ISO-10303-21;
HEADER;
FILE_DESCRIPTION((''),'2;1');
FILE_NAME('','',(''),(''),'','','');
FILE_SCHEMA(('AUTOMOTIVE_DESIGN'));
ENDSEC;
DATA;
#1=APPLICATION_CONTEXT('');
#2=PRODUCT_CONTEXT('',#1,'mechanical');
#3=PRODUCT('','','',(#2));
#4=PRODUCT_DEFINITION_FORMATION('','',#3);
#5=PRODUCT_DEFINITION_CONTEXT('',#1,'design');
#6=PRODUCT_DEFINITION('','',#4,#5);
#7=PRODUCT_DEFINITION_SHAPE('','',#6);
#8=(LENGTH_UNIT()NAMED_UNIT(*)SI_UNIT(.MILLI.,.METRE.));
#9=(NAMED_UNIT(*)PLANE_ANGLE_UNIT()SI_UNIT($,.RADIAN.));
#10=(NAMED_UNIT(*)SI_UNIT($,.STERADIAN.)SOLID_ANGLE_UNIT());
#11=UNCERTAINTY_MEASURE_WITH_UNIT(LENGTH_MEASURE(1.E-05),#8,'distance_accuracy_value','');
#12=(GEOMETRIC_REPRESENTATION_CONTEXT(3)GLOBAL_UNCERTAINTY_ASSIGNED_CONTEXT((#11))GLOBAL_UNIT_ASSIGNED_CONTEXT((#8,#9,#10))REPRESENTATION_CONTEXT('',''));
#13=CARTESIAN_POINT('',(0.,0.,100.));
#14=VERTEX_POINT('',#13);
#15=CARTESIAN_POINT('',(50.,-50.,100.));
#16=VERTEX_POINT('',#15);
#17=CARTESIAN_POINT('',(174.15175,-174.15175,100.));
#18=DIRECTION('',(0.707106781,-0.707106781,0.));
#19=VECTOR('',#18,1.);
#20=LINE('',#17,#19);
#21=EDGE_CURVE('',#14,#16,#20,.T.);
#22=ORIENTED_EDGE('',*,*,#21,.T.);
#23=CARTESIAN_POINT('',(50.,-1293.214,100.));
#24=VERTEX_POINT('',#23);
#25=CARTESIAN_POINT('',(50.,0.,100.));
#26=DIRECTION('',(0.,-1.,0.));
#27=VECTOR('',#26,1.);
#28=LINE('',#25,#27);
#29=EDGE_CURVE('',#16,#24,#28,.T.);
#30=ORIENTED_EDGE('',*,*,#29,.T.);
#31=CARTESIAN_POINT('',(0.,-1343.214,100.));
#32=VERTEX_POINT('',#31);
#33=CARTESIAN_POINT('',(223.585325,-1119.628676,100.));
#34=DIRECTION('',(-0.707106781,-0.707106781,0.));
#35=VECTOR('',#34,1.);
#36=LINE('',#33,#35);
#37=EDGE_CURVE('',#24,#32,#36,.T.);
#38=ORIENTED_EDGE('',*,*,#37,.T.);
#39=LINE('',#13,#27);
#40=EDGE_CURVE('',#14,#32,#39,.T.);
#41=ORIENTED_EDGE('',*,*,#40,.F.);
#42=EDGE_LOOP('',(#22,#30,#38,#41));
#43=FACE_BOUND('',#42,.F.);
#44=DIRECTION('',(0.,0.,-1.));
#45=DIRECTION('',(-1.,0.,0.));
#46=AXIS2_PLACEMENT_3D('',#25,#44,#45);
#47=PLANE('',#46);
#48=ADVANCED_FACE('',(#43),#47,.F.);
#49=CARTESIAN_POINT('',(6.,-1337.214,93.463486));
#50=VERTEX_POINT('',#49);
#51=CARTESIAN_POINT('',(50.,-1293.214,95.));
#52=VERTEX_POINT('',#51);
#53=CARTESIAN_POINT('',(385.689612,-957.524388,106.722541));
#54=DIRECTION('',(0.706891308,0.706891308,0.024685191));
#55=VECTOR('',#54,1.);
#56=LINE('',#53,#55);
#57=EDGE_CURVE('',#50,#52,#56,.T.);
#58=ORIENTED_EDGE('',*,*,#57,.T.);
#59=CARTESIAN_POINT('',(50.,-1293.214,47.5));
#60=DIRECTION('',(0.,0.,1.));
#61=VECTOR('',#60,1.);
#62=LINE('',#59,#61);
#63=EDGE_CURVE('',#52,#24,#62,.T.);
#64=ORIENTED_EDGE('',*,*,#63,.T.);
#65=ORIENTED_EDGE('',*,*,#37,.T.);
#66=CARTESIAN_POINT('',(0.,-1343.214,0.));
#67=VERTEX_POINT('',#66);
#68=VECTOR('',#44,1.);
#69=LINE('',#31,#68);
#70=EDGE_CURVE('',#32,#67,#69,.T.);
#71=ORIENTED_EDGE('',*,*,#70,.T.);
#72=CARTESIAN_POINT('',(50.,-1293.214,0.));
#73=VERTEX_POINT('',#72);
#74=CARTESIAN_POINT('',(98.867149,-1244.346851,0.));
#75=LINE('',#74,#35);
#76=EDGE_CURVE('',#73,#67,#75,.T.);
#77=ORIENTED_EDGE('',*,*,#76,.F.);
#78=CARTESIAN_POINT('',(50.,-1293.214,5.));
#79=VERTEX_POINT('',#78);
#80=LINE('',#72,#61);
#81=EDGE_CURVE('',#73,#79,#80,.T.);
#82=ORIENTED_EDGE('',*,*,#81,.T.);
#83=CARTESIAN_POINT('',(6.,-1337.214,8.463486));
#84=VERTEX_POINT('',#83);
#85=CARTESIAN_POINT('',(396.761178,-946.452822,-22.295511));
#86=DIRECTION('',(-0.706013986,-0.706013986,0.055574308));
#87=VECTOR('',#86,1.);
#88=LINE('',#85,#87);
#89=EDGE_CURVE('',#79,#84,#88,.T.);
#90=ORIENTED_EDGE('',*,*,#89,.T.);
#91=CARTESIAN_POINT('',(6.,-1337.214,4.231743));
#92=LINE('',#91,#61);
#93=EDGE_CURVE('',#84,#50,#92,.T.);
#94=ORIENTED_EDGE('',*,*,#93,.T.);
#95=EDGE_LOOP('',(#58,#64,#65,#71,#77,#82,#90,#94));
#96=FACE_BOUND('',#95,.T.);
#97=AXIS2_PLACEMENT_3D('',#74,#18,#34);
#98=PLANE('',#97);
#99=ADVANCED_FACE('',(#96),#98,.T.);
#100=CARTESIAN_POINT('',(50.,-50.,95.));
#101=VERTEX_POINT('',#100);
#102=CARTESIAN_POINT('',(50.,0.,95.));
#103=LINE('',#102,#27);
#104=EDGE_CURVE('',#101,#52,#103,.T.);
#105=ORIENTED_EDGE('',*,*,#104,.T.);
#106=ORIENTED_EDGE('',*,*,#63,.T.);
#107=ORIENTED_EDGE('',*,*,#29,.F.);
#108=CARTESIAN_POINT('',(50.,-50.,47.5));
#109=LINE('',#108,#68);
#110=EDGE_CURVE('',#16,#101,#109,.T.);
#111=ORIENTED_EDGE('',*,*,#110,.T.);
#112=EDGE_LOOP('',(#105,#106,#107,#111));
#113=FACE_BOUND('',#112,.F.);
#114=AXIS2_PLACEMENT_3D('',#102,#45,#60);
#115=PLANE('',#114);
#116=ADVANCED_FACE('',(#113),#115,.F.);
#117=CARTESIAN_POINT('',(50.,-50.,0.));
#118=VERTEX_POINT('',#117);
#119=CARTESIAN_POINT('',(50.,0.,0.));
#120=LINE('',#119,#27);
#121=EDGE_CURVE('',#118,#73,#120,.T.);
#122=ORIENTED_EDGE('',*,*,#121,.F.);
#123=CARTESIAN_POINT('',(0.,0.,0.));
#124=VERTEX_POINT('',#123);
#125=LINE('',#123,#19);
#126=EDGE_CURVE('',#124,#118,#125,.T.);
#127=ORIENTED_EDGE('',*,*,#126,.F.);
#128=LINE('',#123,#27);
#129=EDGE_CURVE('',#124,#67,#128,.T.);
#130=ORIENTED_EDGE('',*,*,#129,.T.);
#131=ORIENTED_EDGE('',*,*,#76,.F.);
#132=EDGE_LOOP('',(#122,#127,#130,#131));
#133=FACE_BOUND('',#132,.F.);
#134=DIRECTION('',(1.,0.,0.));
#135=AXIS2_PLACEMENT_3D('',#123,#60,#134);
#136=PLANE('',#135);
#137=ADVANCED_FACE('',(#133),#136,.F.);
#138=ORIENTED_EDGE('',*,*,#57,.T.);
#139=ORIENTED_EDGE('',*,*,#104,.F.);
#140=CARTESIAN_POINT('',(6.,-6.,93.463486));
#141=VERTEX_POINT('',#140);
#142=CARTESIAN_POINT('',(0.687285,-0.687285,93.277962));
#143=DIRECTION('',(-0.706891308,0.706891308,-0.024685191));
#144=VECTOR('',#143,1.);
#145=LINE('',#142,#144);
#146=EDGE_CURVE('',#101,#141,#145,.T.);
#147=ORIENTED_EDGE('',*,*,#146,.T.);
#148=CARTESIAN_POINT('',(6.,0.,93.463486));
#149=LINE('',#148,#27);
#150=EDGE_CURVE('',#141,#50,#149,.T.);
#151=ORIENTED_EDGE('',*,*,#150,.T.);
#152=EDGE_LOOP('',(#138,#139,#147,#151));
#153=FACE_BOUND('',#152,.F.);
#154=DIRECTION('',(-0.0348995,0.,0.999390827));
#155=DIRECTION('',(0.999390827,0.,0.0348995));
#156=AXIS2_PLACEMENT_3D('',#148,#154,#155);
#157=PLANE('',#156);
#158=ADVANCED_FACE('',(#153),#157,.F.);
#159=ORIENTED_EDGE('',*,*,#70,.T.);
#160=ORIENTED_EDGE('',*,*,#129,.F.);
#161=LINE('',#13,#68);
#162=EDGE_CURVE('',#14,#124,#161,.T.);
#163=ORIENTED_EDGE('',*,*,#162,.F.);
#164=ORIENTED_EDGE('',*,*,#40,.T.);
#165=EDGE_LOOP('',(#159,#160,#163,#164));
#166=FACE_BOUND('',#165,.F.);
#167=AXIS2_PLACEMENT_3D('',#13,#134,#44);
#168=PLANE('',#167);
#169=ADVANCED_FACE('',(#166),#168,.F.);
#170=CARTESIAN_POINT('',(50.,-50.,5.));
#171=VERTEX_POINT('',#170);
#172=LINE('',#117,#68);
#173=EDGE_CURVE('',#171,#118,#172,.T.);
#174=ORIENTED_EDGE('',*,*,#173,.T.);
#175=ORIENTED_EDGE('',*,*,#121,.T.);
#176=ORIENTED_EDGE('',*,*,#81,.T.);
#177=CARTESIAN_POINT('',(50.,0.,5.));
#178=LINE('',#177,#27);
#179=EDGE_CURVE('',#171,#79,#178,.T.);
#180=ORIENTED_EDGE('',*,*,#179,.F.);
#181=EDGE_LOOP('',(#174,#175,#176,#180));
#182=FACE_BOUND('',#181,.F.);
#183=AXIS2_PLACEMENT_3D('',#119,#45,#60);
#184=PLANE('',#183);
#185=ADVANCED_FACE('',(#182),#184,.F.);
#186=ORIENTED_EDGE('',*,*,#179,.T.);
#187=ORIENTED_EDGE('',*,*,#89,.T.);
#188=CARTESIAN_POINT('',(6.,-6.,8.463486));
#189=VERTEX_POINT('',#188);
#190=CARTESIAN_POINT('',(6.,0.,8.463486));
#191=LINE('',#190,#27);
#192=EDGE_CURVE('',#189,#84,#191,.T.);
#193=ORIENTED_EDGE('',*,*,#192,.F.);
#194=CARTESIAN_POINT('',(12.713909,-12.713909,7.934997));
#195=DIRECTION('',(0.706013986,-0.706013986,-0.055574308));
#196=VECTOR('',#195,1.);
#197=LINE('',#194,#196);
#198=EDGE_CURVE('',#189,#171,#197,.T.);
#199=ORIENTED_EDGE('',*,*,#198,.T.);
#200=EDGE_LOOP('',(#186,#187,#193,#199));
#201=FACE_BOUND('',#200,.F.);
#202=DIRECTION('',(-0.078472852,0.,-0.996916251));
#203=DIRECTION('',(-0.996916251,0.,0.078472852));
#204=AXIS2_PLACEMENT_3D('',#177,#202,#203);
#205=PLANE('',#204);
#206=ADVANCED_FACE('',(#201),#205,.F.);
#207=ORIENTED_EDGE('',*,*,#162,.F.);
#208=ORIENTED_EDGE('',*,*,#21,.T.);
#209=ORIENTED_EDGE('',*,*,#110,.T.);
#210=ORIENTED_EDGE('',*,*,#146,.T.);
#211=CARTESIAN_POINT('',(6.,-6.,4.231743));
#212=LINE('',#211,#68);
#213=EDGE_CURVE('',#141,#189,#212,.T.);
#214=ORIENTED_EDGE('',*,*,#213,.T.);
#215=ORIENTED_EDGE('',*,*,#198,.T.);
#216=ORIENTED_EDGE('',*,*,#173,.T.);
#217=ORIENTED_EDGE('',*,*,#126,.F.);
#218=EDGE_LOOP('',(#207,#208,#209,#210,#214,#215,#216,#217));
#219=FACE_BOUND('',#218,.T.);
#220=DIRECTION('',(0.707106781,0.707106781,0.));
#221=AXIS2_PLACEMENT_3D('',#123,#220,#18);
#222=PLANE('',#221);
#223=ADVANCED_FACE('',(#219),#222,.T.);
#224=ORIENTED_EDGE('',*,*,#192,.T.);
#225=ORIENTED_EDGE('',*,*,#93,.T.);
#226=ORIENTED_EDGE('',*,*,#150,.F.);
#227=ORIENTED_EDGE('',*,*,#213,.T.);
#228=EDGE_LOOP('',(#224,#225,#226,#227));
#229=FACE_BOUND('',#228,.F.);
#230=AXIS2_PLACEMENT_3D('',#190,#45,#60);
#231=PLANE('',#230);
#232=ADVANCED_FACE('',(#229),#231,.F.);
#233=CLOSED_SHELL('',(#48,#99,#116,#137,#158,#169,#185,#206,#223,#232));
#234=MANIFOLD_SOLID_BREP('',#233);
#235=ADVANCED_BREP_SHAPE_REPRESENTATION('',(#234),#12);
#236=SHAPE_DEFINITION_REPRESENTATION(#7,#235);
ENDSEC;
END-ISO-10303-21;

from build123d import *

# Parameters (mm, degrees)
F1_DEPTH  = 1343.214
F1_FACE_W = 50
F1_FACE_H = 1343.214
F3_DEPTH  = 110


with BuildPart() as f1:
    # F0 (on Front) → F1 (new body)
    with BuildSketch(Plane.XZ):
        Polygon((0, 100), (0, 0), (50, 0), (50, 5), (6, 8.463486), (6, 93.463486), (50, 95), (50, 100), align=None)
    extrude(amount=F1_DEPTH)

    # F2 (on Top) + F1_face (on face) → F3 (cut)
    with BuildSketch(Plane.XY):
        Polygon((87.158154, 52.255962), (0, 52.255962), (0, 0), (87.158154, -87.158154), align=None)
        Polygon((0, -1343.214), (0, -1353.214), (98.867149, -1353.214), (98.867149, -1244.346851), align=None)
    with BuildSketch(Plane(origin=(25, -671.607, 100), x_dir=(1, 0, 0), z_dir=(0, 0, 1))):
        Rectangle(F1_FACE_W, F1_FACE_H)
    extrude(amount=F3_DEPTH, mode=Mode.SUBTRACT)


solid = f1.part
